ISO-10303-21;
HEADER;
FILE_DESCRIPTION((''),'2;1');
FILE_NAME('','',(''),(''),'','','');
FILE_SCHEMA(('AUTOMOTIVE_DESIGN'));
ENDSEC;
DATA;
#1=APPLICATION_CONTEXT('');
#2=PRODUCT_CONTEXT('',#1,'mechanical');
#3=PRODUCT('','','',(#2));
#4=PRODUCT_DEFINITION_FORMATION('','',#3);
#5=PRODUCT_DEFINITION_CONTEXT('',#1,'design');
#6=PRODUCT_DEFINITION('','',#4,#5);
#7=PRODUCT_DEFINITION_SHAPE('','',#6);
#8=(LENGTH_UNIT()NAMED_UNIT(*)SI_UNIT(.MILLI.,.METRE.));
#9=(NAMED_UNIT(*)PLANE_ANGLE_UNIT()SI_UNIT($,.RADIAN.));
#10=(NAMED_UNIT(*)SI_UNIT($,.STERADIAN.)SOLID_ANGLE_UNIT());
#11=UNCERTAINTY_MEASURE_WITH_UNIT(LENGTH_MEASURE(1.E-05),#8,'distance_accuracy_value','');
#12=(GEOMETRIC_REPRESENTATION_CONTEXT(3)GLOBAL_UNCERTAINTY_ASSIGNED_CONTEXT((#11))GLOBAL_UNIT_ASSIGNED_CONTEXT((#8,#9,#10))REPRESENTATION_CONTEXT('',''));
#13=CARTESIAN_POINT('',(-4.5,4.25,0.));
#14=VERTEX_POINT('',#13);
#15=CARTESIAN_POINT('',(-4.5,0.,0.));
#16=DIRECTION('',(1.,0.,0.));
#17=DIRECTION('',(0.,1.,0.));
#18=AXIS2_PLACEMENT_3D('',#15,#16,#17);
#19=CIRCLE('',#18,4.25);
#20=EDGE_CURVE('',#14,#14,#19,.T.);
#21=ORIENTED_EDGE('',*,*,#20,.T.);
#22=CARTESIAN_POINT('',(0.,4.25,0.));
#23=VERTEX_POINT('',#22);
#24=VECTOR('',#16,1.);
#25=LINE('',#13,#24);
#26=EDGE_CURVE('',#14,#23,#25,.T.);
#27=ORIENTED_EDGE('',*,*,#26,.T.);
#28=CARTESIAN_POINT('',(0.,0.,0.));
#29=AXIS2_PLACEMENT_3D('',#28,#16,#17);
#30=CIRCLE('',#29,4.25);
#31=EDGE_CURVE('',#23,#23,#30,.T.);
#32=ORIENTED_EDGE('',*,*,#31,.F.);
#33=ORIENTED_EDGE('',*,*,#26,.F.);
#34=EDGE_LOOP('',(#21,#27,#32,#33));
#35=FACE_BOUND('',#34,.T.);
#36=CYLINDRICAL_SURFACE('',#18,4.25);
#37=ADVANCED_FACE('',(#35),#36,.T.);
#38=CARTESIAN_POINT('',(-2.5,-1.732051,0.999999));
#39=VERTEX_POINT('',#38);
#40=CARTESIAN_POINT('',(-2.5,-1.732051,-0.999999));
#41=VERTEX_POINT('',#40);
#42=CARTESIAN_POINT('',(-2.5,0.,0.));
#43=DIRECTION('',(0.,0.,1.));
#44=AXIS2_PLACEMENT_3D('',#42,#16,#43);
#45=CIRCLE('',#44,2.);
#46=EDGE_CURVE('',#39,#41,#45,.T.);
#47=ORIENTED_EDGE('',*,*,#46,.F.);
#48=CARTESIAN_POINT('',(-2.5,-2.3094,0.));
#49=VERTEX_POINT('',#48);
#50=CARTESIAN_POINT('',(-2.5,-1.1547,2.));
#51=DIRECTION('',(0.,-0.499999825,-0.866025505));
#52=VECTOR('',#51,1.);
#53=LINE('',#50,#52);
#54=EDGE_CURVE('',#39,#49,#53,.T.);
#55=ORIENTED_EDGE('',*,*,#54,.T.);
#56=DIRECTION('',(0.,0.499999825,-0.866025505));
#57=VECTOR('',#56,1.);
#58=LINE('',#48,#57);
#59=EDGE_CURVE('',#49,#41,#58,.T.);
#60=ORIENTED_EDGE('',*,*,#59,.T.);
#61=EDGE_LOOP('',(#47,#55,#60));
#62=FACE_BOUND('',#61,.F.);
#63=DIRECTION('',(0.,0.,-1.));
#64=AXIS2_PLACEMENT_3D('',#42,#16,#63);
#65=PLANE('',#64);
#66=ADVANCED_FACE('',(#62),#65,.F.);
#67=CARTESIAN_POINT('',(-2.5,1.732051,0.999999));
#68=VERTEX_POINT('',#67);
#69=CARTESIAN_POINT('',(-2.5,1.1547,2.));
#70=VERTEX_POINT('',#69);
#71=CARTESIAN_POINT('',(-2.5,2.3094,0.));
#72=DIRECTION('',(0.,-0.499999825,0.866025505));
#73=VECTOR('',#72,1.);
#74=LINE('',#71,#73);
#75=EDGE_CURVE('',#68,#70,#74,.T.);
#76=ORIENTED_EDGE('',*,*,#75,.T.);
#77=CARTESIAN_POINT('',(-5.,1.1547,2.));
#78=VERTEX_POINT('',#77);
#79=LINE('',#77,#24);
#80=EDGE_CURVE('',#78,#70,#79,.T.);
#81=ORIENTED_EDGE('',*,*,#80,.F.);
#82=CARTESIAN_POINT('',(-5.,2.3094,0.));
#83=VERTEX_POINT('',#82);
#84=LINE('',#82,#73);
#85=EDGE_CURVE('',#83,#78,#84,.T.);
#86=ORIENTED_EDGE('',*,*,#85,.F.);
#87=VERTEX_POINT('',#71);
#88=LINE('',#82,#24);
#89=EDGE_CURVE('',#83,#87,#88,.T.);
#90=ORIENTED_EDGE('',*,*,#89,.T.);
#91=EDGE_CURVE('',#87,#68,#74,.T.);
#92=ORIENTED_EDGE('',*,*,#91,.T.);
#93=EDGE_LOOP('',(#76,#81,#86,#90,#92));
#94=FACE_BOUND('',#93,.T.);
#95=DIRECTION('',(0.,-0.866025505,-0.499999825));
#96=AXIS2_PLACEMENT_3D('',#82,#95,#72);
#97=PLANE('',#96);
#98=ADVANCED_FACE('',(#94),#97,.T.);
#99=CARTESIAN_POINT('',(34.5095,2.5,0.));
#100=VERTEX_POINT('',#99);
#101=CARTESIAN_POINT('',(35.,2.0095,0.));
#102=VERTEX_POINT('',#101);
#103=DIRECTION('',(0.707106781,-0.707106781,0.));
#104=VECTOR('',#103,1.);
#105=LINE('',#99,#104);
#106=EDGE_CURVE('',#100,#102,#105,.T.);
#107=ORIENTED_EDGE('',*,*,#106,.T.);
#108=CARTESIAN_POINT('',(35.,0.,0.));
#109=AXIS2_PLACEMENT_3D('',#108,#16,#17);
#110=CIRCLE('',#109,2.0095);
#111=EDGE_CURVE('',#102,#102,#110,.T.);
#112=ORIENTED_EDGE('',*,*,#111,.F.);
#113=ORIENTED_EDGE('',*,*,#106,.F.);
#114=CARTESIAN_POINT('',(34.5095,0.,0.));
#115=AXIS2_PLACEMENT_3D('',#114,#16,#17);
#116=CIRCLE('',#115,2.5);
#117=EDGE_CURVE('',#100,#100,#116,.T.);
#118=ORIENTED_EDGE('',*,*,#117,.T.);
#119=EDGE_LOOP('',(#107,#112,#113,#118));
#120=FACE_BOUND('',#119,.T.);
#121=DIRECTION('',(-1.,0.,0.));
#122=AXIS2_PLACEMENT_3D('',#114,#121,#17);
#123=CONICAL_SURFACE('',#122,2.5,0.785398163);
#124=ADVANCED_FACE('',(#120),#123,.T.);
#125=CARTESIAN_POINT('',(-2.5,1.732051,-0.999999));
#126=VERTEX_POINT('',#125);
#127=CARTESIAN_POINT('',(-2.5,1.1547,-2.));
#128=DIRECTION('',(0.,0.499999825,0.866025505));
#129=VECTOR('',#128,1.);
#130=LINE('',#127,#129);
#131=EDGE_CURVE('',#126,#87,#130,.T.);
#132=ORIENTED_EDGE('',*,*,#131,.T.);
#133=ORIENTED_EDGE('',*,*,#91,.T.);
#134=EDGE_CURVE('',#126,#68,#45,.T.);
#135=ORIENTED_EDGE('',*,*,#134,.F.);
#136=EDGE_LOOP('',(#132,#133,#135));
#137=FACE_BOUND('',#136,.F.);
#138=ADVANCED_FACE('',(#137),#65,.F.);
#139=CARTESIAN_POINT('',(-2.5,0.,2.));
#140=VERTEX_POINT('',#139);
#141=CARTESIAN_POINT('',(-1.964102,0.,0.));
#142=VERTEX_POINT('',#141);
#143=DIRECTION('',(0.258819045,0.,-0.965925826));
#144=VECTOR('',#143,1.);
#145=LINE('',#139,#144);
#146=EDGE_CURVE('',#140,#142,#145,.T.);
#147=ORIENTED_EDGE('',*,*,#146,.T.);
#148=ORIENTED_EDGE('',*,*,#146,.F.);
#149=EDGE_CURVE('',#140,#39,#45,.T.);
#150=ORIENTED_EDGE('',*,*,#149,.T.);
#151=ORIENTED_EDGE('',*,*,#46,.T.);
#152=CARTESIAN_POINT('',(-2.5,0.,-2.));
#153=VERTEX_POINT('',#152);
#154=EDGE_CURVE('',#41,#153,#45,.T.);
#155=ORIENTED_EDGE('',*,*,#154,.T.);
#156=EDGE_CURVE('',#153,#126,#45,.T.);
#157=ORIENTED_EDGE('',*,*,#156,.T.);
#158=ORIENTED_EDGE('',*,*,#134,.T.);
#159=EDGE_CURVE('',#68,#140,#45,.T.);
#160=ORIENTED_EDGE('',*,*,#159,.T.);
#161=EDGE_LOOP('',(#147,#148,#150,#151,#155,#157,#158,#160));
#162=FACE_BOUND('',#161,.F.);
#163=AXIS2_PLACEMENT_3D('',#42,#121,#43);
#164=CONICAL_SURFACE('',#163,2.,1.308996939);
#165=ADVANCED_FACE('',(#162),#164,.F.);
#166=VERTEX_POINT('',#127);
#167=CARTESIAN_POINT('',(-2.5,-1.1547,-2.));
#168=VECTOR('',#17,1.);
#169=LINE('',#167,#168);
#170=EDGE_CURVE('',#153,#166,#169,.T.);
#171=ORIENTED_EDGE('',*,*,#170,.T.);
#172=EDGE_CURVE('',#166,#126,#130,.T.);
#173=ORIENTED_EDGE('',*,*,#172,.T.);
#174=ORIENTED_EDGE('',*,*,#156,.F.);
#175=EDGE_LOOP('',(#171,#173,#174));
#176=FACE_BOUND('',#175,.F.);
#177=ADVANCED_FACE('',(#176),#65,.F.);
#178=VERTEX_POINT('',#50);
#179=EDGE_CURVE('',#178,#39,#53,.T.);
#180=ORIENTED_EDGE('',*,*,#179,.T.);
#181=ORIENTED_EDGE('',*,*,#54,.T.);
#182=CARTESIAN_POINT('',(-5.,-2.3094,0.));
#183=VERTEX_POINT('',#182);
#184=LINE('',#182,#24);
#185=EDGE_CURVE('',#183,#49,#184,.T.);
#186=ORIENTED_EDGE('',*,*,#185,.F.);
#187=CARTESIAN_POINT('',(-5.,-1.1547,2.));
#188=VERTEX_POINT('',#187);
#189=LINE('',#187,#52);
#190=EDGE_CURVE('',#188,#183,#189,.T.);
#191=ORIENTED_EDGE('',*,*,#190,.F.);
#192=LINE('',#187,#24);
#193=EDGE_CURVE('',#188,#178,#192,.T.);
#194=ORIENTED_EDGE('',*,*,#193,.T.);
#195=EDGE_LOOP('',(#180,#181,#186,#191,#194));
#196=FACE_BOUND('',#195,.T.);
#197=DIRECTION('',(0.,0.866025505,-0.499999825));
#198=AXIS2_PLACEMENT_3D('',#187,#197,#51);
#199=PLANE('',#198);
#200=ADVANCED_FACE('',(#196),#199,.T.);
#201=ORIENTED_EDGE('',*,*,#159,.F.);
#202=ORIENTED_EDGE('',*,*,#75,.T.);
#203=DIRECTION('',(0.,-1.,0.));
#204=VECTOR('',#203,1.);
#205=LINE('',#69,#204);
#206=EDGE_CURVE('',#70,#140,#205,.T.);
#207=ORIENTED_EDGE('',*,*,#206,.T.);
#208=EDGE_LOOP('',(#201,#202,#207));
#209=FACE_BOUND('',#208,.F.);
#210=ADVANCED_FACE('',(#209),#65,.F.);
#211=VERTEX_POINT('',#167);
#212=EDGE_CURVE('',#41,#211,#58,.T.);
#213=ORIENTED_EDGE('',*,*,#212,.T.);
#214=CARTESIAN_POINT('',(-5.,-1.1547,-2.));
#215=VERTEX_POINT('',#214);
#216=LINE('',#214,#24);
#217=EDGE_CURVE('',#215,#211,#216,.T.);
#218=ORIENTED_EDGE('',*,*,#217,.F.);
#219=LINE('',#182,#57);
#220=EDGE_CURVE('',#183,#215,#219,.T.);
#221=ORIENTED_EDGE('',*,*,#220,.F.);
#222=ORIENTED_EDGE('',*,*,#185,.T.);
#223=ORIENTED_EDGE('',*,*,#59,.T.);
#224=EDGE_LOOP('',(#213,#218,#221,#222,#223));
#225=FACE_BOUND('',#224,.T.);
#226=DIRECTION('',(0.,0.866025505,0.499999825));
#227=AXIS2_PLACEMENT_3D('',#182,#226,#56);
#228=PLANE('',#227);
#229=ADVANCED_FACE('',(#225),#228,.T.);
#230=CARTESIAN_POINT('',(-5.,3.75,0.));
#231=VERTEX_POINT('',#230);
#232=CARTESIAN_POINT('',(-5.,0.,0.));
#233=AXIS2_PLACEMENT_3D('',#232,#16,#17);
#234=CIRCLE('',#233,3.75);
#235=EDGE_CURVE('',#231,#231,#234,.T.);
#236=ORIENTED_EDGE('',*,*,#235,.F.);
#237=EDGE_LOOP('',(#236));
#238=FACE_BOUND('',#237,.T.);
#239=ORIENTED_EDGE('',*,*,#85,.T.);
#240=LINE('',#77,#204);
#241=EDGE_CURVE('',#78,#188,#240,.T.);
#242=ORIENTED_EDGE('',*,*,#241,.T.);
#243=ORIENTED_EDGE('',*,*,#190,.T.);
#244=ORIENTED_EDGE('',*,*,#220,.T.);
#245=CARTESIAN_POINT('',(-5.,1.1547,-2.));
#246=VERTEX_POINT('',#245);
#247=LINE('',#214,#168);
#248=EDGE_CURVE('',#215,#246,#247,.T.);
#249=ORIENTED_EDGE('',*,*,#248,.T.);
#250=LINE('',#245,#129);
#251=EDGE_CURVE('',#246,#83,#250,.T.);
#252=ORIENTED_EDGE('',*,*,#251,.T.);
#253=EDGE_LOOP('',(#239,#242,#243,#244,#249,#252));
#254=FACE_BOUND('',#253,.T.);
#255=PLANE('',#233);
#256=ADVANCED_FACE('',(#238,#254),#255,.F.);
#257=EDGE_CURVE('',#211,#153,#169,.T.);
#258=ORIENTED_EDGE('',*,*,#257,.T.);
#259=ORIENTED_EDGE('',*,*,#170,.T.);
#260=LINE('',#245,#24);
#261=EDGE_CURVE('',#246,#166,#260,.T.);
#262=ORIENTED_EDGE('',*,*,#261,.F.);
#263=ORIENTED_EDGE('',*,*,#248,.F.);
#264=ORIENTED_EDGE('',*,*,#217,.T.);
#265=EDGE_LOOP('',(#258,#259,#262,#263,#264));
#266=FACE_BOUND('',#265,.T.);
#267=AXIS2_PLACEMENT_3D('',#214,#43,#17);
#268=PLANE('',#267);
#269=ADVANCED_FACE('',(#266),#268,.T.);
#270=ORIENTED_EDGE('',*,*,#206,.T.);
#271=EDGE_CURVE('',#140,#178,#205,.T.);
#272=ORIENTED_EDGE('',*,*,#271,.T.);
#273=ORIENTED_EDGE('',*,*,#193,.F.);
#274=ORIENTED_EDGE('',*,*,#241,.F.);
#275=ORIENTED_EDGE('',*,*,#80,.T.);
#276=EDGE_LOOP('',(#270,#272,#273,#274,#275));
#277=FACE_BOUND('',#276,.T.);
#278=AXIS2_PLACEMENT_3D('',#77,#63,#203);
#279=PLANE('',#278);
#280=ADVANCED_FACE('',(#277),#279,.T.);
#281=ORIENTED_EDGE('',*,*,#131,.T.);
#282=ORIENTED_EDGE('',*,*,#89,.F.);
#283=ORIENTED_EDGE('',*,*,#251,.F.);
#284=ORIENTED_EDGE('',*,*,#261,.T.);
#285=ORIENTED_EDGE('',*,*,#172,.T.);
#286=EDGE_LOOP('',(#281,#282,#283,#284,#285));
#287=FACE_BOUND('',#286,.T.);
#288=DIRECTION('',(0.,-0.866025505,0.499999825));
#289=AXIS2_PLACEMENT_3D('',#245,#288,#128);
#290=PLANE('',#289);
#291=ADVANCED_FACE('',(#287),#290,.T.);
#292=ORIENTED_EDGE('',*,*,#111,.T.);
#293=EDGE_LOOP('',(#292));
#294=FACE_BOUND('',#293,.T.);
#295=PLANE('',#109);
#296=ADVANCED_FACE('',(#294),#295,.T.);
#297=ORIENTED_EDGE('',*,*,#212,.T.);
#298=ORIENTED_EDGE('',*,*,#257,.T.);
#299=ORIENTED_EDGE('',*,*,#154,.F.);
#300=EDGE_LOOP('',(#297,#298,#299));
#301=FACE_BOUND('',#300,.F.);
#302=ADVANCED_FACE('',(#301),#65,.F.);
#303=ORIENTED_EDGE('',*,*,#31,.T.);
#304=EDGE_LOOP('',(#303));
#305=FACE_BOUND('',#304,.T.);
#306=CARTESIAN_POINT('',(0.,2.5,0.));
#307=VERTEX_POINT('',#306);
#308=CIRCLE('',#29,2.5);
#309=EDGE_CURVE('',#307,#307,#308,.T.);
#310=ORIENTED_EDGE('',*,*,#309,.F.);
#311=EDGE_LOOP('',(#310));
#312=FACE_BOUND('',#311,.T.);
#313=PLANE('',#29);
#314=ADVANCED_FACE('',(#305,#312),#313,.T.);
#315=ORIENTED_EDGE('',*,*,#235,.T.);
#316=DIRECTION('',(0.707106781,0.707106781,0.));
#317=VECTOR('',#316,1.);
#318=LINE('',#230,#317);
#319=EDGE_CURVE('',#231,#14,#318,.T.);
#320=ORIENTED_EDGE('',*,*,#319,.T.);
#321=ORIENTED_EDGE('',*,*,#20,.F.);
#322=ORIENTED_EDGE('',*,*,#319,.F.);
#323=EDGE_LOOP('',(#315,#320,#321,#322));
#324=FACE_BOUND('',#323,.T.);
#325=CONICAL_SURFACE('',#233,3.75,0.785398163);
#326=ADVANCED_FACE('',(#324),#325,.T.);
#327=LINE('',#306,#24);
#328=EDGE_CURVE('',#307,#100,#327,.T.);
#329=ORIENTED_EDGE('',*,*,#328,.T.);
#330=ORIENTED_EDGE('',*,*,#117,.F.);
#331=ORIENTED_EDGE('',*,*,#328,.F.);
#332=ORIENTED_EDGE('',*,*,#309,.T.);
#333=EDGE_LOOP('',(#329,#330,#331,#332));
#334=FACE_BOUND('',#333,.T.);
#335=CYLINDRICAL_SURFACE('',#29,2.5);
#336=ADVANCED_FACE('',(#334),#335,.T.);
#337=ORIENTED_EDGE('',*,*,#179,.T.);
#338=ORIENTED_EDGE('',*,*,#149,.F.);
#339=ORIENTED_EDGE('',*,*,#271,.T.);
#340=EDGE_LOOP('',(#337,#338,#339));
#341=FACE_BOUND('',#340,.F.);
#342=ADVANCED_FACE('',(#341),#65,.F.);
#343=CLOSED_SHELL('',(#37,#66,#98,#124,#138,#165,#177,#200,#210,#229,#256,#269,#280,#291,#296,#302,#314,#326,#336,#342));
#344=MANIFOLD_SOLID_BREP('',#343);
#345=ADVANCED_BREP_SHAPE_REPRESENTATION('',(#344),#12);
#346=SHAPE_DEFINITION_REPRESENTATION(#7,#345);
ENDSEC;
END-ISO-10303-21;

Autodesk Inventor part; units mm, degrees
sketch "Sketch_2" plane through (0, 0, 0) normal (0, 0, 1) x (1, 0, 0)
  line L0 (35, 0) -> (-5, 0)
  line L1 (-5, 0) -> (-5, 3.75)
  line L2 (-5, 3.75) -> (-4.5, 4.25)
  line L3 (-4.5, 4.25) -> (0, 4.25)
  line L4 (0, 4.25) -> (0, 2.5)
  line L5 (0, 2.5) -> (34.5095, 2.5)
  line L6 (34.5095, 2.5) -> (35, 2.0095)
  line L7 (35, 2.0095) -> (35, 0)
  line L8 (35, 0) -> (-5, 0)
revolve "Revolution1" add sketch "Sketch_2" angle 360 about axis through (35, 0, 0) along (1, 0, 0)
thread "Thread1" size "M5x0.8" class "6g" standard "ISO Metric profile" length 21.5095
sketch "Sketch2" plane through (-5, 0, 0) normal (-1, 0, 0) x (0, 0, 1)
  point P0 (0, 0)
hole "Hole1" at (-5, 0, 0) direction (1, 0, 0) diameter 4 depth 2.5 tip angle 150
sketch "Sketch_3" plane through (-5, 0, 0) normal (1, 0, 0) x (0, 0, -1)
  line L0 (-2, -1.1547) -> (0, -2.3094)
  line L1 (0, -2.3094) -> (2, -1.1547)
  line L2 (2, -1.1547) -> (2, 1.1547)
  line L3 (2, 1.1547) -> (0, 2.3094)
  line L4 (0, 2.3094) -> (-2, 1.1547)
  line L5 (-2, 1.1547) -> (-2, -1.1547)
extrude "Extrusion1" cut sketch "Sketch_3" along normal blind 2.5
ref_plane "bolt_to_nut_XY" through (35, 0, 0) normal (1, 0, 0) x (0, 0, -1)
ref_plane "bolt_to_nut_YZ" through (35, 0, 0) normal (0, 0, -1) x (0, 1, 0)
ref_plane "bolt_to_nut_ZX" through (35, 0, 0) normal (0, 1, 0) x (1, 0, 0)
ref_plane "screw1_XY" through (0, 0, 0) normal (1, 0, 0) x (0, 0, -1)
ref_plane "screw1_YZ" through (0, 0, 0) normal (0, 0, -1) x (0, 1, 0)
ref_plane "screw1_ZX" through (0, 0, 0) normal (0, 1, 0) x (1, 0, 0)
properties part number "CB5-35"
